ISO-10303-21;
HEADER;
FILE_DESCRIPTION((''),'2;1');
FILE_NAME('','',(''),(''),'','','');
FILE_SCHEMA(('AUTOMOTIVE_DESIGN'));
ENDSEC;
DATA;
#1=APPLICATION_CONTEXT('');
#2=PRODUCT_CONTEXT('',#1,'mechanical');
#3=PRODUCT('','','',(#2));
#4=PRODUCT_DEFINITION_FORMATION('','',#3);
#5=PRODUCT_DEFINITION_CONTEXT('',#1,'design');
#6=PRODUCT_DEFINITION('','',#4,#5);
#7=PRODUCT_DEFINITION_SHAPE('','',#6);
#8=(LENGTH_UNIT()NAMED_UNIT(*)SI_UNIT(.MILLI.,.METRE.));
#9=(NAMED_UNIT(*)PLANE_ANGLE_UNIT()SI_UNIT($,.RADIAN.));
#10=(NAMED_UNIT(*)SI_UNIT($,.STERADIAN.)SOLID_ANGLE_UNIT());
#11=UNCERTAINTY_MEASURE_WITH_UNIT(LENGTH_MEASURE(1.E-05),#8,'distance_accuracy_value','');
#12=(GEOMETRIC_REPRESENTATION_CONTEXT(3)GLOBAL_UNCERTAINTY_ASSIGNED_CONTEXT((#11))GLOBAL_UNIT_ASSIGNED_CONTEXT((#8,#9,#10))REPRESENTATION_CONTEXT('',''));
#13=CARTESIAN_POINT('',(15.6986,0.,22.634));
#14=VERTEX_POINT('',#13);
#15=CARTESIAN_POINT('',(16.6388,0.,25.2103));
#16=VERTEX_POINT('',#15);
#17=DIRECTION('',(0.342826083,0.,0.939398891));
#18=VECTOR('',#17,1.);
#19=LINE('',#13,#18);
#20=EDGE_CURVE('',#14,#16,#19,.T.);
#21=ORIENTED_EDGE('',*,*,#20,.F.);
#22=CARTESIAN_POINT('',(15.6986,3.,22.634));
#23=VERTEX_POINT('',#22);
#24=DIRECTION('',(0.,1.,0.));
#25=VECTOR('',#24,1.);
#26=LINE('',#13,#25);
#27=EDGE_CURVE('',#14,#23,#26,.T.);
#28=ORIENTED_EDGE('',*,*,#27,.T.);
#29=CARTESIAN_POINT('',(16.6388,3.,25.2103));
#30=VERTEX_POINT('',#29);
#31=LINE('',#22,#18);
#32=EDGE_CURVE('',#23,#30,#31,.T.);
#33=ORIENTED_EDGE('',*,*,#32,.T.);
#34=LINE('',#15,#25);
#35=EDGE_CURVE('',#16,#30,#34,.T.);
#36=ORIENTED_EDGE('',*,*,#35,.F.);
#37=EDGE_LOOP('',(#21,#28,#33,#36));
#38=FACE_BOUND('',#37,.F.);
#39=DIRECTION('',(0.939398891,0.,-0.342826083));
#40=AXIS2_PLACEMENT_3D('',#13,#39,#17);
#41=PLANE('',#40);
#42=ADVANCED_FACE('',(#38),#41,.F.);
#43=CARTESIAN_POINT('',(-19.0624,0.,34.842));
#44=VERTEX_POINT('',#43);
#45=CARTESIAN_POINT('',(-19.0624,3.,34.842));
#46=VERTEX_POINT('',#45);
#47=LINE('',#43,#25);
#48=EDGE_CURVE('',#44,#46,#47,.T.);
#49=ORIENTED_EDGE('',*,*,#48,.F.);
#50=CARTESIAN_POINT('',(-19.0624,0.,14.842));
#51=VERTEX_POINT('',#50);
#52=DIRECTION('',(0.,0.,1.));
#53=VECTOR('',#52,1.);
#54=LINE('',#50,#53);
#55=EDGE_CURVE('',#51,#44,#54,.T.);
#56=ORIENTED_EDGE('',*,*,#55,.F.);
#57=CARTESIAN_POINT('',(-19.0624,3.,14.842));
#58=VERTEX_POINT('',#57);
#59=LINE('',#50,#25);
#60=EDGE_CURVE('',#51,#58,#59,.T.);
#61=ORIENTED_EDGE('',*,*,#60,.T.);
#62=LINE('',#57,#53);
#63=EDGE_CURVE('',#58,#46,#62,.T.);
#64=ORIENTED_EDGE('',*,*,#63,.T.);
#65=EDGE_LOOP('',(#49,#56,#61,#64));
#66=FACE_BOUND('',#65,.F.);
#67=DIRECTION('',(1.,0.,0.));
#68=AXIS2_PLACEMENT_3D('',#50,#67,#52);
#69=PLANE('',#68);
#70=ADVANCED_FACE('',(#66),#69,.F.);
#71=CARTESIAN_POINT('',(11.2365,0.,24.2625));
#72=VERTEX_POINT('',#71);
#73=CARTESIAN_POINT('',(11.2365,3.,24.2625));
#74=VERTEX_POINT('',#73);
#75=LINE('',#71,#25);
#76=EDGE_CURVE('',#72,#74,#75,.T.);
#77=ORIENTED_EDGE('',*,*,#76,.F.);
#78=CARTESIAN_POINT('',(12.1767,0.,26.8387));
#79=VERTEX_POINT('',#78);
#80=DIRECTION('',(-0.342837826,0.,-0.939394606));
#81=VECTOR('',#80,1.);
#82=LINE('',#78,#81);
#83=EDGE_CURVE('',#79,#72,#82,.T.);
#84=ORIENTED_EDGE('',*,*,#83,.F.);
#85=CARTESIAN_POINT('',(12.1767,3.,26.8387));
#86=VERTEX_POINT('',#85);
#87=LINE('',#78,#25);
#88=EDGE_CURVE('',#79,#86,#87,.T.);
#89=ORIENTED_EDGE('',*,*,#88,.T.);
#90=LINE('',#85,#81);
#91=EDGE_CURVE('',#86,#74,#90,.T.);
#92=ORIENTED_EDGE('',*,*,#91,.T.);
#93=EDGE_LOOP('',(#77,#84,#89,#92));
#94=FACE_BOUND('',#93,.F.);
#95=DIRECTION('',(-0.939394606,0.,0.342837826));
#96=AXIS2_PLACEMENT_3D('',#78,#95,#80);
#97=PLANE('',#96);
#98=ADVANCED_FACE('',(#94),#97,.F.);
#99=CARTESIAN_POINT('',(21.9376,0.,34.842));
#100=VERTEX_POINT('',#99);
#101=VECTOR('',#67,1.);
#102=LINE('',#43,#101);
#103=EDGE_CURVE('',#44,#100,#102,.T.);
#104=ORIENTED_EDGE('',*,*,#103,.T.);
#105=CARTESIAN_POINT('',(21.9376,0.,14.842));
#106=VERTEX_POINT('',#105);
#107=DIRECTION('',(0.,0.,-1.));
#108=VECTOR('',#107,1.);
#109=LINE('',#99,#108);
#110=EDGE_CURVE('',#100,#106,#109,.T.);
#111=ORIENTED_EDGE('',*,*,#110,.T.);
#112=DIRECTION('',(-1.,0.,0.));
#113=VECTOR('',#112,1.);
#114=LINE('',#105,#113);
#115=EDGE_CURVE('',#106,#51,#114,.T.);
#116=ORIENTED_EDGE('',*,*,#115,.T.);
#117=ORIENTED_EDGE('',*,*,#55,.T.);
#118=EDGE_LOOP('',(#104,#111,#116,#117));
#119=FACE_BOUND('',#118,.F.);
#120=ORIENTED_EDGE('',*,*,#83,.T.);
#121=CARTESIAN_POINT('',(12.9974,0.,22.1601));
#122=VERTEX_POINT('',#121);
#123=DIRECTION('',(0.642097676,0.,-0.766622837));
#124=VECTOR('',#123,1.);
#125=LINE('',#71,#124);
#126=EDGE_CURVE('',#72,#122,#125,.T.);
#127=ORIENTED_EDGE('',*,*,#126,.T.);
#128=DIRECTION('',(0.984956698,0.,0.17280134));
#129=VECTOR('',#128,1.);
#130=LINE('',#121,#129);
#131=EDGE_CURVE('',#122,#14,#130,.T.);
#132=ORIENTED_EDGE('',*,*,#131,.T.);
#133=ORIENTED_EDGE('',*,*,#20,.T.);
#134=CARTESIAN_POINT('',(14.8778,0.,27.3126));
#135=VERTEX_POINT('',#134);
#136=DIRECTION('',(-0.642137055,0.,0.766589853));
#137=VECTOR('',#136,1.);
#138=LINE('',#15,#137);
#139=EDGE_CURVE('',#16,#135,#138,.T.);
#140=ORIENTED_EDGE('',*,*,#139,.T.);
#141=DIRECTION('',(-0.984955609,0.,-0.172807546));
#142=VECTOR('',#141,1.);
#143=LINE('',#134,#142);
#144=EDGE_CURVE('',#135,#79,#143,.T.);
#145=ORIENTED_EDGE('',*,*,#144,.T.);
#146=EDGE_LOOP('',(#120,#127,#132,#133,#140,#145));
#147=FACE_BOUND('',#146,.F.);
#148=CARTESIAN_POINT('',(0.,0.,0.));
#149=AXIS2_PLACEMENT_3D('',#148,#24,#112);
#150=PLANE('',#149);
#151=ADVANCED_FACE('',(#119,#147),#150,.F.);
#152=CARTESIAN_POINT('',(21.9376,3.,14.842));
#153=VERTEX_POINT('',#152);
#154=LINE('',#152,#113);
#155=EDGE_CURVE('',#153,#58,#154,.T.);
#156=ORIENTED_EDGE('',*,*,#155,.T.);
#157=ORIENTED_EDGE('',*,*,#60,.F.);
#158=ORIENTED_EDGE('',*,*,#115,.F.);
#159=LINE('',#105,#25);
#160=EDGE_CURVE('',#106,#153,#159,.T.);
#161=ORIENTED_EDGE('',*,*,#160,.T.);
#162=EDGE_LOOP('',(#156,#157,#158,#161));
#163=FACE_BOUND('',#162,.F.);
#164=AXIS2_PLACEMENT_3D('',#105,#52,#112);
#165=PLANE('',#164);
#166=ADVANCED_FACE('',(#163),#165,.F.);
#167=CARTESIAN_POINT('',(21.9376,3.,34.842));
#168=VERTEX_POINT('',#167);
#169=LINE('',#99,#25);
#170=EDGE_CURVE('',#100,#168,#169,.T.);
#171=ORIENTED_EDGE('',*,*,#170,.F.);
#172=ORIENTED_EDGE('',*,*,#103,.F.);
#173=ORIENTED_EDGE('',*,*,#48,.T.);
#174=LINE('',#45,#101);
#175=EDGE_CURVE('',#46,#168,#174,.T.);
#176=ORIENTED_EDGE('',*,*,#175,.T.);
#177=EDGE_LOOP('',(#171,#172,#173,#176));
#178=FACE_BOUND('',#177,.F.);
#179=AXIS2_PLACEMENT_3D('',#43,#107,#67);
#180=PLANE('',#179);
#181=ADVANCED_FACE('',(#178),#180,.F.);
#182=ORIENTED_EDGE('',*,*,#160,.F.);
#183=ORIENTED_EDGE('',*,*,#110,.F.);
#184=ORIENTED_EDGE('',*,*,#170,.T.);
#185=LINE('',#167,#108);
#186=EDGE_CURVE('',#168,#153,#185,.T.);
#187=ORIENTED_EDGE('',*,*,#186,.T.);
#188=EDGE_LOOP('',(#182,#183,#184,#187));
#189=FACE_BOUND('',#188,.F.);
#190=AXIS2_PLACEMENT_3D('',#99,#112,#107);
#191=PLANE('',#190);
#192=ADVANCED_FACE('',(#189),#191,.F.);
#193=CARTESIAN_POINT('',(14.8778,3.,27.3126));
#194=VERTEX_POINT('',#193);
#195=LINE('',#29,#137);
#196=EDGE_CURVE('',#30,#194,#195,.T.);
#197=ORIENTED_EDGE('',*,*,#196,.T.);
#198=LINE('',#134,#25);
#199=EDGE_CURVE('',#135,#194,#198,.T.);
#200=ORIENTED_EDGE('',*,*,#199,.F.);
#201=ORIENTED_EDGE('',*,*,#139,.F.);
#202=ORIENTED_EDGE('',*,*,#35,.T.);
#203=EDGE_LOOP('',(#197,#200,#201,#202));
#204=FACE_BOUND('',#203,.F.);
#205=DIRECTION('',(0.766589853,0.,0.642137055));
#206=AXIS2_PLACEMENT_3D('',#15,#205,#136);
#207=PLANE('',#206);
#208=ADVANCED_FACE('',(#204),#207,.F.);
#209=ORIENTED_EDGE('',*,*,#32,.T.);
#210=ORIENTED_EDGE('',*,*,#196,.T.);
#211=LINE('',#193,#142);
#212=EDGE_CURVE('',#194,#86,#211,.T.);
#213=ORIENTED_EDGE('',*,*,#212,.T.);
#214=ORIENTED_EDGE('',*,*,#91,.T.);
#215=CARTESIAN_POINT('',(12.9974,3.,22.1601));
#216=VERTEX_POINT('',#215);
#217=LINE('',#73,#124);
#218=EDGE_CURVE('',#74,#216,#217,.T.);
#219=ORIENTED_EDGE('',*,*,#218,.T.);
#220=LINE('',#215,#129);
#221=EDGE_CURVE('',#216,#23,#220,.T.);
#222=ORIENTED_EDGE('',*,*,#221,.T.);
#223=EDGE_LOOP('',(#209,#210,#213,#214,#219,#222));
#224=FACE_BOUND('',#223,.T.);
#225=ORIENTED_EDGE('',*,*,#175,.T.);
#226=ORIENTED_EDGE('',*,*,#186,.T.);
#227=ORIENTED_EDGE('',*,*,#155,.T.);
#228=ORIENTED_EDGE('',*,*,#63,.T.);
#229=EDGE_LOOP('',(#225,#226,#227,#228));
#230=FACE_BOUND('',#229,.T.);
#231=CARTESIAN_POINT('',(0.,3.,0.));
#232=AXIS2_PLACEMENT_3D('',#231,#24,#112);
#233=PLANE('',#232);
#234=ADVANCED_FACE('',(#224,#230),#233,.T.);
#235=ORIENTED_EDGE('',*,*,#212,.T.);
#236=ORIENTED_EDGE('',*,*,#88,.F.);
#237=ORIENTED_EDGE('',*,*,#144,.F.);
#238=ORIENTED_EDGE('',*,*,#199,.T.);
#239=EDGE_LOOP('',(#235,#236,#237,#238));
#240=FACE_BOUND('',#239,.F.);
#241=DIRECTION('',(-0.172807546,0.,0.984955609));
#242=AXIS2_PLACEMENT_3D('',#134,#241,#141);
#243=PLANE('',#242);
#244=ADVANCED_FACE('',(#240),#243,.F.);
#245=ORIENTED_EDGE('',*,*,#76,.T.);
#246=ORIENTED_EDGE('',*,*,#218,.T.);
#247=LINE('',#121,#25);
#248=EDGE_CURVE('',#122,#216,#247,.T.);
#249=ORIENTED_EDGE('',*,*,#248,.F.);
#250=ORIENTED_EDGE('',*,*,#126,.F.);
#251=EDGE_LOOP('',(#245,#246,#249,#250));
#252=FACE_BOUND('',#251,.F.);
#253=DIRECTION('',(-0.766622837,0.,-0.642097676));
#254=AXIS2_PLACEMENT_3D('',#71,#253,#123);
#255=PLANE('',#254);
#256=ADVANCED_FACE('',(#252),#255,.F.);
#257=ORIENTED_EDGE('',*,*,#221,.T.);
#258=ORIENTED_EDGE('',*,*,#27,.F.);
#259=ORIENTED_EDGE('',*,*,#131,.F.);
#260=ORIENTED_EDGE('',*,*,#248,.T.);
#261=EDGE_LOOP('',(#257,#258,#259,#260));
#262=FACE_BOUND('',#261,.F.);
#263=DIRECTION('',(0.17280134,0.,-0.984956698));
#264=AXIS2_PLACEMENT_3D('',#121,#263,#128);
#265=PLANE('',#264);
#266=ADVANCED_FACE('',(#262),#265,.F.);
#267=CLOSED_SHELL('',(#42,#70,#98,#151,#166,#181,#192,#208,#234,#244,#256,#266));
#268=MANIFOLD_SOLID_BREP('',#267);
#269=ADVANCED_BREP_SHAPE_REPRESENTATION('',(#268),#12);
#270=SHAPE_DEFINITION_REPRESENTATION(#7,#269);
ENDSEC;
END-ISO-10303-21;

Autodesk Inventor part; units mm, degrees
ref_plane "YZ Plane" through (0, 0, 0) normal (1, 0, 0) x (0, 1, 0)
ref_plane "XZ Plane" through (0, 0, 0) normal (0, 1, 0) x (-1, 0, 0)
ref_plane "XY Plane" through (0, 0, 0) normal (0, 0, 1) x (1, 0, 0)
sketch "Sketch1" plane through (0, 0, 0) normal (0, 1, 0) x (-1, 0, 0)
  line L0 (19.0624, 34.842) -> (-21.9376, 34.842)
  line L1 (-21.9376, 34.842) -> (-21.9376, 14.842)
  line L2 (-21.9376, 14.842) -> (19.0624, 14.842)
  line L3 (19.0624, 14.842) -> (19.0624, 34.842)
  circle A0 centre (-13.9376, 24.7364) radius 1.5
  line L4 (-11.2365, 24.2625) -> (-12.9974, 22.1601)
  line L5 (-12.9974, 22.1601) -> (-15.6986, 22.634)
  line L6 (-15.6986, 22.634) -> (-16.6388, 25.2103)
  line L7 (-16.6388, 25.2103) -> (-14.8778, 27.3126)
  line L8 (-14.8778, 27.3126) -> (-12.1767, 26.8387)
  line L9 (-12.1767, 26.8387) -> (-11.2365, 24.2625)
  point P0 (0, 0)
  dimension "d0" = 41
  dimension "d1" = 20
  dimension "d2" = 3
  dimension "d3" = 8
  dimension "d6" = 4.75
extrude "Extrusion2" add sketch "Sketch1" along normal blind 3 contours L3 L2 L1 L0
properties part number "back"
